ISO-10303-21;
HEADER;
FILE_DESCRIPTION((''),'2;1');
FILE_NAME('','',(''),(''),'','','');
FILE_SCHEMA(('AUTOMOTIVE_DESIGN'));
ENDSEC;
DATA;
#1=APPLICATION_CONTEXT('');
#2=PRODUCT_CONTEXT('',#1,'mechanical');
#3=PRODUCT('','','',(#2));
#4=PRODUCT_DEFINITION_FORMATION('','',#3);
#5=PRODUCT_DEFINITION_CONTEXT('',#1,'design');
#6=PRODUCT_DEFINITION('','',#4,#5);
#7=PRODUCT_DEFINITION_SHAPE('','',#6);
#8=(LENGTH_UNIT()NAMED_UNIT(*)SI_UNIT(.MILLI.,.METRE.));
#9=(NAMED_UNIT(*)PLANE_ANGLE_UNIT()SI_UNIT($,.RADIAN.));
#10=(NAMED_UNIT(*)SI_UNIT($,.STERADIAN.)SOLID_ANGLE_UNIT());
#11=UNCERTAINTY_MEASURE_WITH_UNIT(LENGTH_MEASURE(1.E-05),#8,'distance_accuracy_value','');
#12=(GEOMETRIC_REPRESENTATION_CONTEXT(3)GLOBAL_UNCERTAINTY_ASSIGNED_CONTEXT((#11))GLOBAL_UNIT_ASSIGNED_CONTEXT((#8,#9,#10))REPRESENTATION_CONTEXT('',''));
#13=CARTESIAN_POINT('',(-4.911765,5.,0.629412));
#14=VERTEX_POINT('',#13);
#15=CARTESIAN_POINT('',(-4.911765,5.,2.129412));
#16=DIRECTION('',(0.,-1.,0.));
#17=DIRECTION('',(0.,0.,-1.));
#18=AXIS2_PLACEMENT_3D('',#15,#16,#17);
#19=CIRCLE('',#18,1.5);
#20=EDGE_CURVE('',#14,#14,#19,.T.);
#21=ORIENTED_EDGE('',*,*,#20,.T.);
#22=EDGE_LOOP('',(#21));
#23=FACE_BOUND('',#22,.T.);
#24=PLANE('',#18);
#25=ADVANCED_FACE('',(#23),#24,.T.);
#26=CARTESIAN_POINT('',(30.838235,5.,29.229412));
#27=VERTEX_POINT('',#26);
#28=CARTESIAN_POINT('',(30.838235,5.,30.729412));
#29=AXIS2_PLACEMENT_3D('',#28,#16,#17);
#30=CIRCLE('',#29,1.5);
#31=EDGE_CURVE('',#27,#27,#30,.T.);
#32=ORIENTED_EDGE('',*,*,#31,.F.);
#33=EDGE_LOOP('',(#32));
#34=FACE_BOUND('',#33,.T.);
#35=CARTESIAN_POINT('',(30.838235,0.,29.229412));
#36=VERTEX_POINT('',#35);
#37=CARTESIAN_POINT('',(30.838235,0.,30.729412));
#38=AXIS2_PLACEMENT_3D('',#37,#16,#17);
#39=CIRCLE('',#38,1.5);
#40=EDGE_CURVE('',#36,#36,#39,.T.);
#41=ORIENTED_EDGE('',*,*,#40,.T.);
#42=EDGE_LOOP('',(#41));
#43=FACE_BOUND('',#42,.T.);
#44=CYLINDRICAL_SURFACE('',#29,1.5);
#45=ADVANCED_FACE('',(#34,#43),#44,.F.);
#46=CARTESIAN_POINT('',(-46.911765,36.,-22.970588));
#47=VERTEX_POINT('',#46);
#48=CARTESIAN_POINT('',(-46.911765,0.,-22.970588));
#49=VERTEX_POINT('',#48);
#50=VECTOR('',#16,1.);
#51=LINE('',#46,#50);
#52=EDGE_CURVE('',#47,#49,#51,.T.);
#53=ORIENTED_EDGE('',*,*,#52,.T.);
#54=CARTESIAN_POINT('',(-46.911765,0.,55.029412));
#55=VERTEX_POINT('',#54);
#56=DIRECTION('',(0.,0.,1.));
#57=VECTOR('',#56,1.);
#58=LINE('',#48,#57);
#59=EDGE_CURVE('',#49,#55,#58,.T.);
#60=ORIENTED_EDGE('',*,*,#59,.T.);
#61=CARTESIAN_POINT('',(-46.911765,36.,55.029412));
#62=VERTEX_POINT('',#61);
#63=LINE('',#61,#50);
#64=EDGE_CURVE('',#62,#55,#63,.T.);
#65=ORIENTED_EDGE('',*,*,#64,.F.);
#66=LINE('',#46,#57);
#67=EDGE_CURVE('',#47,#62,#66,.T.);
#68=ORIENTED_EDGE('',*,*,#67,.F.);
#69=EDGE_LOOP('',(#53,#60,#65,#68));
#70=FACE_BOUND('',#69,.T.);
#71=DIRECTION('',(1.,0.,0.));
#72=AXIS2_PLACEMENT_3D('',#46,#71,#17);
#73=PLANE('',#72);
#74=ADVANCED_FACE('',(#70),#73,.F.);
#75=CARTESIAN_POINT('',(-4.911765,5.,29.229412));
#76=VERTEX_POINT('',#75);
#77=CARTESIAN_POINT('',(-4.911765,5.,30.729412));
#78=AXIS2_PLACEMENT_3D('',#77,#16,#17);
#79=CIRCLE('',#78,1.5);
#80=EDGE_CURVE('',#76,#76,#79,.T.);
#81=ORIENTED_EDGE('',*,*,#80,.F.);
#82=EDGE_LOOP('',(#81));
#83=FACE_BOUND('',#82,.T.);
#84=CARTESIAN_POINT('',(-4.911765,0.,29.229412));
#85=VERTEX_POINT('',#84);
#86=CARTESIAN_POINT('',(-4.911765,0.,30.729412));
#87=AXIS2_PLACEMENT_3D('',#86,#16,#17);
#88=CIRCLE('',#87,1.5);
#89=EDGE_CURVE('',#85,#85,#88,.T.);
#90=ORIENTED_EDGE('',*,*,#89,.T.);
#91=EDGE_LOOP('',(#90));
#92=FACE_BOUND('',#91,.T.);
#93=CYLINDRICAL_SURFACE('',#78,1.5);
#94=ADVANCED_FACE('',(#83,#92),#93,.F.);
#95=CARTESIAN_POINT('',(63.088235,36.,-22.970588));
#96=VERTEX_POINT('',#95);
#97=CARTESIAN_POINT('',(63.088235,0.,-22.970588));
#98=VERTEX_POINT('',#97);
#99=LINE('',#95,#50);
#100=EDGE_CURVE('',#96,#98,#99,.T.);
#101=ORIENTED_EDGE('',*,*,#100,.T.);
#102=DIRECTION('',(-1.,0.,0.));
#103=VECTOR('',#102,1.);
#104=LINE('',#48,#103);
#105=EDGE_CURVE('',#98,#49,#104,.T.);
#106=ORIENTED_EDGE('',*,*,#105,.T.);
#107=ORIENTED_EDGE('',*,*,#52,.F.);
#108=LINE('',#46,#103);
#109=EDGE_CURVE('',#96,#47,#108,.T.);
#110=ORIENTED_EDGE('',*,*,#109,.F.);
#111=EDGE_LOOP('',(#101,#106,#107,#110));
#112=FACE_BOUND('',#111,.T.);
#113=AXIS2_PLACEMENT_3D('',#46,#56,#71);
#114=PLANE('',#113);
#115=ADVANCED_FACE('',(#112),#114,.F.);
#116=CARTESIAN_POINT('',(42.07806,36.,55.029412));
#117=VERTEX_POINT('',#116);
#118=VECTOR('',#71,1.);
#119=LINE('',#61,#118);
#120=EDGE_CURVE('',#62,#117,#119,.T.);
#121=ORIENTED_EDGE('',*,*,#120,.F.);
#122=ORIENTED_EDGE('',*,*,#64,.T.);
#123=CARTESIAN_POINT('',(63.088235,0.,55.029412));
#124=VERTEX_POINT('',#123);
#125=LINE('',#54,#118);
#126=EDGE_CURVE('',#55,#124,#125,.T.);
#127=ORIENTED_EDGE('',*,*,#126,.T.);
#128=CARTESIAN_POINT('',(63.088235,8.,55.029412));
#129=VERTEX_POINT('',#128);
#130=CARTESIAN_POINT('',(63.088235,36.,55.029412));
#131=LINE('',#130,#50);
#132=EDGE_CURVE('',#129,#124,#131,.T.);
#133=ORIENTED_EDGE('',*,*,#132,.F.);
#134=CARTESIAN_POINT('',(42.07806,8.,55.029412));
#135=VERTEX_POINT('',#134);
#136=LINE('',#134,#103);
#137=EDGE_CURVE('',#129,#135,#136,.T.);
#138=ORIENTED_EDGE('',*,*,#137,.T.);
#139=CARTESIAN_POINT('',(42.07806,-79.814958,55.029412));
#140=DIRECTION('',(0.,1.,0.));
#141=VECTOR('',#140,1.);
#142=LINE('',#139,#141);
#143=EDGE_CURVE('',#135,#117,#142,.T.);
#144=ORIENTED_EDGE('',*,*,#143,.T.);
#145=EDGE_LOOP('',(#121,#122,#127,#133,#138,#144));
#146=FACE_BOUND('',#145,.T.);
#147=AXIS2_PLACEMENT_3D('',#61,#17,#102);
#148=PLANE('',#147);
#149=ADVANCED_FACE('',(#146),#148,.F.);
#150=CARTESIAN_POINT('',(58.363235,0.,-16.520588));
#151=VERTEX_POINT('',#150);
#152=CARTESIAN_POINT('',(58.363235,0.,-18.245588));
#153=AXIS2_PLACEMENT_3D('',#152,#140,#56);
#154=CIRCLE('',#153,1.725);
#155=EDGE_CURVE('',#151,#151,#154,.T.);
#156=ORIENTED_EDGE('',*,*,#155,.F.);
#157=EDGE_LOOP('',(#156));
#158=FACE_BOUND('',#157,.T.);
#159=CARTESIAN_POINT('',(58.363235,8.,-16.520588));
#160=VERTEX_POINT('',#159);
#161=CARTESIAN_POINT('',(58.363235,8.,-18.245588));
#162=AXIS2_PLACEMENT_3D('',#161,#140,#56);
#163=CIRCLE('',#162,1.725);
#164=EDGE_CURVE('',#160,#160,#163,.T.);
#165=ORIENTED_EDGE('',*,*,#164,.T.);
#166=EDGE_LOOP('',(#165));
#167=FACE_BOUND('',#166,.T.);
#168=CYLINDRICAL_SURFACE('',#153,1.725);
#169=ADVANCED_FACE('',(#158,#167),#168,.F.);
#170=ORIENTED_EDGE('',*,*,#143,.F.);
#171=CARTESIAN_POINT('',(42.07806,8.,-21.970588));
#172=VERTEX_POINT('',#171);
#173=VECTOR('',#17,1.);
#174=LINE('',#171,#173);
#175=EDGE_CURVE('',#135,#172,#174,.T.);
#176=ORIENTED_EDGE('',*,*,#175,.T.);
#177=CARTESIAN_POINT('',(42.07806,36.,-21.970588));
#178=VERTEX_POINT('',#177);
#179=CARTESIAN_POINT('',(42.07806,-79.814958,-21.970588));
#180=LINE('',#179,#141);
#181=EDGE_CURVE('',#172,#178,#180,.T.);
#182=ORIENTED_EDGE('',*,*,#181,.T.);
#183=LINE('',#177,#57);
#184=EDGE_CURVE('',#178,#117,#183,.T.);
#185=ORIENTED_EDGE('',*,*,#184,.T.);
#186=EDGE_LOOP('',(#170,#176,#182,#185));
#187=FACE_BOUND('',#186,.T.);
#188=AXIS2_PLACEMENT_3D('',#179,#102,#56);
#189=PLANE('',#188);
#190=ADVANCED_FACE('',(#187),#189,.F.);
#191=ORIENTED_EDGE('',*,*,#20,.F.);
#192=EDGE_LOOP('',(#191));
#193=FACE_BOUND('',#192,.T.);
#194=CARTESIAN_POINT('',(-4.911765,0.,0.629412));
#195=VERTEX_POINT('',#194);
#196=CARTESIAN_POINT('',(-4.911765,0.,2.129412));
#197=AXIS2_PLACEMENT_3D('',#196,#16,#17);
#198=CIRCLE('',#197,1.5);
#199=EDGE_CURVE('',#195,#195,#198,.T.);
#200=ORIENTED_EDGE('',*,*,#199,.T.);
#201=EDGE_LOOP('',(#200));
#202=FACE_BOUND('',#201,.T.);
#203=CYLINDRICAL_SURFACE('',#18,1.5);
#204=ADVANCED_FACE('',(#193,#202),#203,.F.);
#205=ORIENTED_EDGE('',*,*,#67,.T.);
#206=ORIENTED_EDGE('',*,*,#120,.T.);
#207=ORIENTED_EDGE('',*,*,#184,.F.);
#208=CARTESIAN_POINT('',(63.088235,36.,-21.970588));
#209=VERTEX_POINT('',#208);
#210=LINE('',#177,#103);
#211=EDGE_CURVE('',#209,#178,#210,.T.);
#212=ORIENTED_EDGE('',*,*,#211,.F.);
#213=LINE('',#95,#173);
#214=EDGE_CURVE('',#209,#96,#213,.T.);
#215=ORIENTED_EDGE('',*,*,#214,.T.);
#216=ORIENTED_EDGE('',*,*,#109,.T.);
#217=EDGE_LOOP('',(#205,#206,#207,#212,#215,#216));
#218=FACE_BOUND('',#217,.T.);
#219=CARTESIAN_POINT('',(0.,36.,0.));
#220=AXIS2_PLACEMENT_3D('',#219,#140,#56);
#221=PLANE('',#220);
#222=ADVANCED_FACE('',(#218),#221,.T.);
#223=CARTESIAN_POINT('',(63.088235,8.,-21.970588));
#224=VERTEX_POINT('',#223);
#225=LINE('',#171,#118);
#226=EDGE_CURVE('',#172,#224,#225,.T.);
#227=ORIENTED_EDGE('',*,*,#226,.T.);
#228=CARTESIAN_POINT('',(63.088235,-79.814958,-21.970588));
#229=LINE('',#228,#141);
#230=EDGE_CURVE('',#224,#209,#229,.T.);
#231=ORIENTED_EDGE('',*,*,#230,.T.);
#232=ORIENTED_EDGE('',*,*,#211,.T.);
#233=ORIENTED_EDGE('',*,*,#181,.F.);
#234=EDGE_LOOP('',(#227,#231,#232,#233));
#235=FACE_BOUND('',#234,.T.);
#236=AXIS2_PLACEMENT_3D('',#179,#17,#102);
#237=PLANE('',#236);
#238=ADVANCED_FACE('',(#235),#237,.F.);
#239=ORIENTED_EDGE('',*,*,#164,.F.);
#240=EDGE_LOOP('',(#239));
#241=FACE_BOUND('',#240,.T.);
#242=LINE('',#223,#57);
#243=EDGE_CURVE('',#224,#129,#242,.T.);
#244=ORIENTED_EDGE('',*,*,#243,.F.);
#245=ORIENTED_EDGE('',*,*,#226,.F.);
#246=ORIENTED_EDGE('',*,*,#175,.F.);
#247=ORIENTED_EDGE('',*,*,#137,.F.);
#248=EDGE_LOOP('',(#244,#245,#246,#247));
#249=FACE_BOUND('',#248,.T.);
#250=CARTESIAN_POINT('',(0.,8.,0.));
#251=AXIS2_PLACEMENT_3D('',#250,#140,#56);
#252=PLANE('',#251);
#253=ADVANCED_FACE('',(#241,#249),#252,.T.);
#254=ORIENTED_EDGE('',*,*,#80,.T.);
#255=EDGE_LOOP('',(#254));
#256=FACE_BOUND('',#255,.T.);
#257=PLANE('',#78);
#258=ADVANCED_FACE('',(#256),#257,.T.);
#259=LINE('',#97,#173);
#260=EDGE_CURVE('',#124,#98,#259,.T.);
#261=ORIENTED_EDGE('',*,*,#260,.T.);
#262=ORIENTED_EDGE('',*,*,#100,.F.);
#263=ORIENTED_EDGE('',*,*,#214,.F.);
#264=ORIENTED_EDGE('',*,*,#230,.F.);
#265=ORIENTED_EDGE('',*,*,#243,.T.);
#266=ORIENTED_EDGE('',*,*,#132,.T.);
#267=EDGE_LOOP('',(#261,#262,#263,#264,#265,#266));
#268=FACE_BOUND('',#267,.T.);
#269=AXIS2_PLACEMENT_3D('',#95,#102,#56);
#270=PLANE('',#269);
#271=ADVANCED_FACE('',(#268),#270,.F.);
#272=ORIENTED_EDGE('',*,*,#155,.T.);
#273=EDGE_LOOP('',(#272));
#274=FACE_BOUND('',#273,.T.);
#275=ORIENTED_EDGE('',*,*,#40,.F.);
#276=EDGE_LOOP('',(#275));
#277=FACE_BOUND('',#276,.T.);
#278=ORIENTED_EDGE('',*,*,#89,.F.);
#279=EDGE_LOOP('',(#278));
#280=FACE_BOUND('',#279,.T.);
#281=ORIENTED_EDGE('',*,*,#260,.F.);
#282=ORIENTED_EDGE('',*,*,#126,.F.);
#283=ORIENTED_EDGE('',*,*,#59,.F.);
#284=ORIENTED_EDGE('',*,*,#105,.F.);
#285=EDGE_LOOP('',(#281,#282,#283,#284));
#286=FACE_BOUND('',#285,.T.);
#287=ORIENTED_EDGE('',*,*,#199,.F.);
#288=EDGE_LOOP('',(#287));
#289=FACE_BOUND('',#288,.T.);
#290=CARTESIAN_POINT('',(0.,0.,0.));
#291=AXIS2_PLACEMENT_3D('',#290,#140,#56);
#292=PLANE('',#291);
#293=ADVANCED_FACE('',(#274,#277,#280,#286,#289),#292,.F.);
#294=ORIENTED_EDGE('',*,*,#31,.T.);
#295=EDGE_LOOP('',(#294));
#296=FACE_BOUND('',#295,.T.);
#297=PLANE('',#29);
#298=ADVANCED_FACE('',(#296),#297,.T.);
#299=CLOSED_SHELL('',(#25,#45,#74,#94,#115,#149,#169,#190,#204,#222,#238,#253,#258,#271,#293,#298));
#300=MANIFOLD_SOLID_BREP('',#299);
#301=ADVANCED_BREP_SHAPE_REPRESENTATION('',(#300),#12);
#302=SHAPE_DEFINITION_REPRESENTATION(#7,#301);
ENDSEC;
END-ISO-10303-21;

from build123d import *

# Parameters (mm, degrees)
SKETCH1_W           = 110
SKETCH1_H           = 78
BOSS_EXTRUDE1_DEPTH = 36
SKETCH2_W           = 21.010174998
SKETCH2_H           = 77
CUT_EXTRUDE1_DEPTH  = 28
SKETCH3_R           = 1.725
CUT_EXTRUDE2_DEPTH  = 89.2743541
SKETCH4_R           = 1.5
CUT_EXTRUDE3_DEPTH  = 5


with BuildPart() as part:
    # Sketch1 → Boss-Extrude1 (new body)
    with BuildSketch(Plane(origin=(0, 0, 0), x_dir=(1, 0, 0), z_dir=(0, 1, 0))):
        with Locations((8.088235294, -16.029411765)):
            Rectangle(SKETCH1_W, SKETCH1_H)
    extrude(amount=BOSS_EXTRUDE1_DEPTH)

    # Sketch2 → Cut-Extrude1 (cut)
    with BuildSketch(Plane(origin=(0, 36, 0), x_dir=(1, 0, 0), z_dir=(0, 1, 0))):
        with Locations((52.583147795, -16.529411765)):
            Rectangle(SKETCH2_W, SKETCH2_H)
    extrude(amount=-CUT_EXTRUDE1_DEPTH, mode=Mode.SUBTRACT)

    # Sketch3 → Cut-Extrude2 (cut, through all)
    with BuildSketch(Plane(origin=(0, 8, 0), x_dir=(1, 0, 0), z_dir=(0, 1, 0))):
        with Locations(Location((58.363235294, 18.245588235, 0), (0, 0, 270))):
            Circle(SKETCH3_R)
    extrude(amount=-CUT_EXTRUDE2_DEPTH, mode=Mode.SUBTRACT)

    # Sketch4 → Cut-Extrude3 (cut)
    with BuildSketch(Plane.XZ):
        with Locations(Location((-4.911764706, 2.129411765, 0), (0, 0, 270))):
            Circle(SKETCH4_R)
        with Locations(Location((-4.911764706, 30.729411765, 0), (0, 0, 270))):
            Circle(SKETCH4_R)
        with Locations(Location((30.838235294, 30.729411765, 0), (0, 0, 270))):
            Circle(SKETCH4_R)
    extrude(amount=-CUT_EXTRUDE3_DEPTH, mode=Mode.SUBTRACT)


solid = part.part
